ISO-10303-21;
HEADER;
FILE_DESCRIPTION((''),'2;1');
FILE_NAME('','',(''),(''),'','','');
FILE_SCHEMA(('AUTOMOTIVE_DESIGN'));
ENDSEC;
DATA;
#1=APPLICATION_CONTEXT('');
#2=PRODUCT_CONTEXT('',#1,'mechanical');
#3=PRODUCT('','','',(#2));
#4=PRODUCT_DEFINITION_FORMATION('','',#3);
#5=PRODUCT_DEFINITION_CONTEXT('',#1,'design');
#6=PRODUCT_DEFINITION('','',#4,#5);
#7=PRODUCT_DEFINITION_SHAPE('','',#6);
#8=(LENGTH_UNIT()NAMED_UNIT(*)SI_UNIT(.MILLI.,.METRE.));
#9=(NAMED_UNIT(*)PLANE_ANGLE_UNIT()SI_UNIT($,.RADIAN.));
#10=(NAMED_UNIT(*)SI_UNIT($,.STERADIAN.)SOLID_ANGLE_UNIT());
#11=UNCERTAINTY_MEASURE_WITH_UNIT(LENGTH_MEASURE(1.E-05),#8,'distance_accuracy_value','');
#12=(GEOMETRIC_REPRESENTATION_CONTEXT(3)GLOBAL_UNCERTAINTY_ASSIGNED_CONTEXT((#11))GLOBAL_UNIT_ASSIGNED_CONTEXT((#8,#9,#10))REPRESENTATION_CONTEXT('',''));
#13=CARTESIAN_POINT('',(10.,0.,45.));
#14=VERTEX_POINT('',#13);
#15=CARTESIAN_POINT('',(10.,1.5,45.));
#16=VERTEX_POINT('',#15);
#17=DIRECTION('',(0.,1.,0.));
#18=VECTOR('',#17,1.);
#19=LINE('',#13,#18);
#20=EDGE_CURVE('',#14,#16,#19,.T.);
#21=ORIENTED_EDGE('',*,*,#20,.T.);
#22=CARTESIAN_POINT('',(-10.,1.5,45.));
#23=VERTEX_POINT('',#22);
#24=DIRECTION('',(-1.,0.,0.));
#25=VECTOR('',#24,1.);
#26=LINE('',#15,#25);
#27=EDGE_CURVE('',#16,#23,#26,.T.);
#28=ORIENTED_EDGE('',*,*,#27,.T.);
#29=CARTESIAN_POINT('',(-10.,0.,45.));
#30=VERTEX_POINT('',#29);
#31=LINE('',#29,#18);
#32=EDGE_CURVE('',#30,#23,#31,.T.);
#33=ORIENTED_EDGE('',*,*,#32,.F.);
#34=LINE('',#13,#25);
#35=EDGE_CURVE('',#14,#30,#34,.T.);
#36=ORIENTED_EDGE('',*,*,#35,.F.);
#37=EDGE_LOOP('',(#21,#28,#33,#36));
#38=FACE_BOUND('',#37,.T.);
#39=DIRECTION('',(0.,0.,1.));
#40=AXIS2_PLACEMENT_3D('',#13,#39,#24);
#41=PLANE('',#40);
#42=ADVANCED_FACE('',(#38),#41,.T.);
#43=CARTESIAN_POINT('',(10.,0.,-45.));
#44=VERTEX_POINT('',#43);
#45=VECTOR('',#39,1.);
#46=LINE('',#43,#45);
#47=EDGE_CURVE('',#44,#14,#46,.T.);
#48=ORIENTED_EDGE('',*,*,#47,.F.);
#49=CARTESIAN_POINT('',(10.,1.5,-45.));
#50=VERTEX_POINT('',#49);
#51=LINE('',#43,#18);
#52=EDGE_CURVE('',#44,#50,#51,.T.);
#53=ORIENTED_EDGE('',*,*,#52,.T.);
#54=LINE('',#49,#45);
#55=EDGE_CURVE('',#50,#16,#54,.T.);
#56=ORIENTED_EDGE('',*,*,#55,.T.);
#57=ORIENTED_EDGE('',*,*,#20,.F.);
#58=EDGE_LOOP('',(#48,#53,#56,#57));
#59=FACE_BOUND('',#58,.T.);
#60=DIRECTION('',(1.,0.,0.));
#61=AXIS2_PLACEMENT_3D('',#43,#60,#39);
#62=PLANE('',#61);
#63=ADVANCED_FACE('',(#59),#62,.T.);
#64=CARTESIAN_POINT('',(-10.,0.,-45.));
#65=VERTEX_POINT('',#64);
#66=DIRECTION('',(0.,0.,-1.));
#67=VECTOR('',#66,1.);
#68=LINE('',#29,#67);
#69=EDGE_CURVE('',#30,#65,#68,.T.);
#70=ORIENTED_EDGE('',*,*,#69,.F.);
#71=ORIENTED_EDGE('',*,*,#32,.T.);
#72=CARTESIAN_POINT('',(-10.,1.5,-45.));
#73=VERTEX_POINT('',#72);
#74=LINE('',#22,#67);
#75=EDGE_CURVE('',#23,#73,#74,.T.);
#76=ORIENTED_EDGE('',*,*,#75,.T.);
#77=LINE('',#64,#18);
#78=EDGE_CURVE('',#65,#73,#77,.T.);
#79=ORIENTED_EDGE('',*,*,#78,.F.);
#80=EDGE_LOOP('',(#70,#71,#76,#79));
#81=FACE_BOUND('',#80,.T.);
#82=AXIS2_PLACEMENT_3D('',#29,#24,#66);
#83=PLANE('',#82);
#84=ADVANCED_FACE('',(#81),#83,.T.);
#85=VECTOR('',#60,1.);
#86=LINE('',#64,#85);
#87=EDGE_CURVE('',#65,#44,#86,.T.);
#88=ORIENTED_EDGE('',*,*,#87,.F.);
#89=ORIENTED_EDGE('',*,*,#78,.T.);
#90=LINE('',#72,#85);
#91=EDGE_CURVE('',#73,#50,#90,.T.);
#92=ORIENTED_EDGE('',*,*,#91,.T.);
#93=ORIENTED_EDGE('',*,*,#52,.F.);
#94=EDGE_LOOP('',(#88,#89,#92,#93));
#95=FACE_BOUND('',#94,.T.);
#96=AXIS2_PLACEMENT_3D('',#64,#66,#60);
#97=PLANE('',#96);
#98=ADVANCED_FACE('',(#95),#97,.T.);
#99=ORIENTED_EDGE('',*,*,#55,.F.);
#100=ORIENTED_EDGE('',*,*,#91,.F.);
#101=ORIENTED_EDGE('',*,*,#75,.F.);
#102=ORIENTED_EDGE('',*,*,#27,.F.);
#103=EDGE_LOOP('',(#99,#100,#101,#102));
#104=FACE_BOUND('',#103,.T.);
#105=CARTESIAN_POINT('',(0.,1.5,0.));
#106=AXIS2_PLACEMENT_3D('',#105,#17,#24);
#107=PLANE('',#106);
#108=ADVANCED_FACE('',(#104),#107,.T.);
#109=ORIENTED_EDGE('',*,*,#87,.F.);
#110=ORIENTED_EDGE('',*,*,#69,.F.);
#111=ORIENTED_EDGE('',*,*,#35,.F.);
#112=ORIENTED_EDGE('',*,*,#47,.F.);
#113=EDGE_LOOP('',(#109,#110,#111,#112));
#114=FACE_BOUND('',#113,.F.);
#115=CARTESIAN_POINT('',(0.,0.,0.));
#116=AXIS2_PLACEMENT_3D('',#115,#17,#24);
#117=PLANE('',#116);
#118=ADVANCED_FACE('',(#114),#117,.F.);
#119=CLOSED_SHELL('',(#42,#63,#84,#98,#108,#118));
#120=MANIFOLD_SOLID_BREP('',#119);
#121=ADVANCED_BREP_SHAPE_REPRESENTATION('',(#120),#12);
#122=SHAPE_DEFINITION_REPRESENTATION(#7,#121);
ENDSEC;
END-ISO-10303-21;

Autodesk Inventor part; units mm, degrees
ref_plane "YZ Plane" through (0, 0, 0) normal (1, 0, 0) x (0, 1, 0)
ref_plane "XZ Plane" through (0, 0, 0) normal (0, 1, 0) x (-1, 0, 0)
ref_plane "XY Plane" through (0, 0, 0) normal (0, 0, 1) x (1, 0, 0)
sketch "Sketch1" plane through (0, 0, 0) normal (0, 1, 0) x (-1, 0, 0)
  line L0 (10, -45) -> (-10, -45)
  line L1 (-10, -45) -> (-10, 45)
  line L2 (-10, 45) -> (10, 45)
  line L3 (10, 45) -> (10, -45)
  point P0 (0, 0)
  dimension "d0" = 20
  dimension "d1" = 90
  dimension "d2" = 45
  dimension "d3" = 10
extrude "Plate1" add sketch "Sketch1" along normal blind 1.5
equation "\"d4\" = Thickness"
equation "\"BendReliefWidth\" = Thickness"
equation "\"BendReliefDepth\" = 0.5 * Thickness"
equation "\"CornerReliefSize\" = 4 * Thickness"
equation "\"MinimumRemnant\" = 2 * Thickness"
equation "\"TransitionRadius\" = BendRadius"
equation "\"JacobiRadiusSize\" = BendRadius"
equation "\"GapSize\" = Thickness"
equation "\"Thickness\" = 1.5"
equation "\"BendRadius\" = 0.31"
properties part number "axis_10_11-connector_frame" material "Aluminum 6061-AHC"
